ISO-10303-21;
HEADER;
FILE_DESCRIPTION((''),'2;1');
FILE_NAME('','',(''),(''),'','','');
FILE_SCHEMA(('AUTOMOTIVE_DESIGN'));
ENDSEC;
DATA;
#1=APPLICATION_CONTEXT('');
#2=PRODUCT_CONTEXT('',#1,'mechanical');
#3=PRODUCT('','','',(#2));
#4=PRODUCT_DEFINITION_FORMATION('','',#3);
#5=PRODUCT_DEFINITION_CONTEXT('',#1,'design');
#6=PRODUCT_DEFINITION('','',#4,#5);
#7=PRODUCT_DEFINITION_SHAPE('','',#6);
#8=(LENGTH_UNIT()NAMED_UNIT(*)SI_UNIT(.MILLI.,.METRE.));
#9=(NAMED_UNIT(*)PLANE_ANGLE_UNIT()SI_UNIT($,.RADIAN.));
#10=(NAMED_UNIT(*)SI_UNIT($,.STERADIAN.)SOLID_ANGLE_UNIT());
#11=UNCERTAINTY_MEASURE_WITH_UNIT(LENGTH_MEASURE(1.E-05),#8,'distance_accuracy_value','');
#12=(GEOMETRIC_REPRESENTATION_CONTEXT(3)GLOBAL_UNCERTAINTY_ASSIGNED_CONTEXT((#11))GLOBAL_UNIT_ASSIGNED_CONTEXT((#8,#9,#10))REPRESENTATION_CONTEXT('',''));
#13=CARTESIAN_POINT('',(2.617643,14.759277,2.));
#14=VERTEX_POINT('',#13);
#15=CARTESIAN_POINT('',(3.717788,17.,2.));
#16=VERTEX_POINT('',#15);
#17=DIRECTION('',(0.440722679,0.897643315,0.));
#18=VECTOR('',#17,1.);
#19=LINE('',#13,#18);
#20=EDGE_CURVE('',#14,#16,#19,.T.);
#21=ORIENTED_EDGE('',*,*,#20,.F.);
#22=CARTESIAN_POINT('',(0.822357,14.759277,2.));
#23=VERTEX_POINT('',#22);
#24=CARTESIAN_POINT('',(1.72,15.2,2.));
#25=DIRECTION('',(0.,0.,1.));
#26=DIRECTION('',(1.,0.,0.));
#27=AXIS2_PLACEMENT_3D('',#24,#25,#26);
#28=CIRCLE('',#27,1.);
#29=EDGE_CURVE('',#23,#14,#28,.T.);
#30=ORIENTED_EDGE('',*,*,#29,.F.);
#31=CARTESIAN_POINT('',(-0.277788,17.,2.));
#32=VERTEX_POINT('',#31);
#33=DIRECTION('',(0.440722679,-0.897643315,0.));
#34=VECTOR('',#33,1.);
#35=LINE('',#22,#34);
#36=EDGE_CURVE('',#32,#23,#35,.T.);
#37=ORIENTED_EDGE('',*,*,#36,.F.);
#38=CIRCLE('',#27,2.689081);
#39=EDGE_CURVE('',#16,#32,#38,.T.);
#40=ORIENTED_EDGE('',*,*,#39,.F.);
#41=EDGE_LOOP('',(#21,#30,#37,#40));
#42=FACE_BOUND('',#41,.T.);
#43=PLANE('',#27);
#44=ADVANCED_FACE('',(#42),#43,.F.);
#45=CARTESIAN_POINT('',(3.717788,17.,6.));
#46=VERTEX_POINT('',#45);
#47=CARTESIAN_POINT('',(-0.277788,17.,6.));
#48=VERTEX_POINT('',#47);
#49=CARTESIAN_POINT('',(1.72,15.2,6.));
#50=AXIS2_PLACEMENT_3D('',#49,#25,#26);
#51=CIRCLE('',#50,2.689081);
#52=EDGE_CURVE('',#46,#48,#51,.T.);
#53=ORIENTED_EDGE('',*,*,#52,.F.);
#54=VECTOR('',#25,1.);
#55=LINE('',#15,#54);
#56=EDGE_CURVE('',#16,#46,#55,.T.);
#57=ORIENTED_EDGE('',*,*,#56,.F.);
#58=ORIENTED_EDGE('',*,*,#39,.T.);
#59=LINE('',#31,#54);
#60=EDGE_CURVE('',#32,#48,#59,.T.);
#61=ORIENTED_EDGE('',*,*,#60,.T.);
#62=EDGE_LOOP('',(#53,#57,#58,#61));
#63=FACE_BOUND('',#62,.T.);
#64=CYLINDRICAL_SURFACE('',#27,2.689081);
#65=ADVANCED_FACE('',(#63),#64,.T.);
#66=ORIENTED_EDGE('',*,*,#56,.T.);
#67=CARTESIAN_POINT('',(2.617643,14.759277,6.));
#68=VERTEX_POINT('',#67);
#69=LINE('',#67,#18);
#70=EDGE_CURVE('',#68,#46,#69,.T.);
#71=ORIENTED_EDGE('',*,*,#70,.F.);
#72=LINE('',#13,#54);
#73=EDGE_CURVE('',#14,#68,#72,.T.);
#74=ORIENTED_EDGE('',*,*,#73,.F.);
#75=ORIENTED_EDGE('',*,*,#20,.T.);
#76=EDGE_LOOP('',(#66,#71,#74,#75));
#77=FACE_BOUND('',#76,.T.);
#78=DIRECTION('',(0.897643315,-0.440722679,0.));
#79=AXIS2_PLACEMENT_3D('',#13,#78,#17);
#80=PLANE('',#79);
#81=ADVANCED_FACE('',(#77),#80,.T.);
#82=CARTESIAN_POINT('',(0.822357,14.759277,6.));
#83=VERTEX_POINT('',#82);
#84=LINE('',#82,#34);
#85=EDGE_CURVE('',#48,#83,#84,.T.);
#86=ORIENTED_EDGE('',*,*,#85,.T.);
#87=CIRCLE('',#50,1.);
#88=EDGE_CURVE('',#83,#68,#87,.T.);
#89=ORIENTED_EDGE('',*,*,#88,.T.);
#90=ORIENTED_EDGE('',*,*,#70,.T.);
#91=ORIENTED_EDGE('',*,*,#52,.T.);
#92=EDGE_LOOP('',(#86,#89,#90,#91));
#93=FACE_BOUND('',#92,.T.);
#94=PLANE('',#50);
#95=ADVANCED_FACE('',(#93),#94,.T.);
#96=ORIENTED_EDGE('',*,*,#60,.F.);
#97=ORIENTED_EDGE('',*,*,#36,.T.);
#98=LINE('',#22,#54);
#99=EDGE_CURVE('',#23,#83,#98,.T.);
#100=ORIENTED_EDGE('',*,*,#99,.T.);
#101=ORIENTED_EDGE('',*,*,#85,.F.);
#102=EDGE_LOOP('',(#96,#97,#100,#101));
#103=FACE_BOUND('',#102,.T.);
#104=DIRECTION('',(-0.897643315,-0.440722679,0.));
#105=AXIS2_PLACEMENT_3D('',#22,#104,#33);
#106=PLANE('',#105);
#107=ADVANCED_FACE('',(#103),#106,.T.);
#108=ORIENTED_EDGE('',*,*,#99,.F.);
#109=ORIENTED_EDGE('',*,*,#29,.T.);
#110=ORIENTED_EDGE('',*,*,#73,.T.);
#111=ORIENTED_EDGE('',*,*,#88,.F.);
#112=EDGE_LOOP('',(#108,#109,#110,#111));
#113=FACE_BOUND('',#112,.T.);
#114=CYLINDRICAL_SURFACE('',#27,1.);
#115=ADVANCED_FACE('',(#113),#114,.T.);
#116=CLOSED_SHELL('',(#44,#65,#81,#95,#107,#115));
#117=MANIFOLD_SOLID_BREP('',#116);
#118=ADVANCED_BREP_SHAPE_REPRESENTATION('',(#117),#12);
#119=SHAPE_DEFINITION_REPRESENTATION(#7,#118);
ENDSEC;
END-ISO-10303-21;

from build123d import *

# Parameters (mm, degrees)
BOSS_EXTRU_1_DEPTH = 4


with BuildPart() as part:
    # Esquisse1 → Boss.-Extru.1 (new body)
    with BuildSketch(Plane.XY.offset(6)):
        with BuildLine():
            Line((0.822356685, 14.759277321), (-0.277787755, 17))
            ThreePointArc((-0.277787755, 17), (1.72, 17.889080868), (3.717787755, 17))
            Line((3.717787755, 17), (2.617643315, 14.759277321))
            ThreePointArc((2.617643315, 14.759277321), (1.72, 14.2), (0.822356685, 14.759277321))
        make_face()
    extrude(amount=-BOSS_EXTRU_1_DEPTH)


solid = part.part
